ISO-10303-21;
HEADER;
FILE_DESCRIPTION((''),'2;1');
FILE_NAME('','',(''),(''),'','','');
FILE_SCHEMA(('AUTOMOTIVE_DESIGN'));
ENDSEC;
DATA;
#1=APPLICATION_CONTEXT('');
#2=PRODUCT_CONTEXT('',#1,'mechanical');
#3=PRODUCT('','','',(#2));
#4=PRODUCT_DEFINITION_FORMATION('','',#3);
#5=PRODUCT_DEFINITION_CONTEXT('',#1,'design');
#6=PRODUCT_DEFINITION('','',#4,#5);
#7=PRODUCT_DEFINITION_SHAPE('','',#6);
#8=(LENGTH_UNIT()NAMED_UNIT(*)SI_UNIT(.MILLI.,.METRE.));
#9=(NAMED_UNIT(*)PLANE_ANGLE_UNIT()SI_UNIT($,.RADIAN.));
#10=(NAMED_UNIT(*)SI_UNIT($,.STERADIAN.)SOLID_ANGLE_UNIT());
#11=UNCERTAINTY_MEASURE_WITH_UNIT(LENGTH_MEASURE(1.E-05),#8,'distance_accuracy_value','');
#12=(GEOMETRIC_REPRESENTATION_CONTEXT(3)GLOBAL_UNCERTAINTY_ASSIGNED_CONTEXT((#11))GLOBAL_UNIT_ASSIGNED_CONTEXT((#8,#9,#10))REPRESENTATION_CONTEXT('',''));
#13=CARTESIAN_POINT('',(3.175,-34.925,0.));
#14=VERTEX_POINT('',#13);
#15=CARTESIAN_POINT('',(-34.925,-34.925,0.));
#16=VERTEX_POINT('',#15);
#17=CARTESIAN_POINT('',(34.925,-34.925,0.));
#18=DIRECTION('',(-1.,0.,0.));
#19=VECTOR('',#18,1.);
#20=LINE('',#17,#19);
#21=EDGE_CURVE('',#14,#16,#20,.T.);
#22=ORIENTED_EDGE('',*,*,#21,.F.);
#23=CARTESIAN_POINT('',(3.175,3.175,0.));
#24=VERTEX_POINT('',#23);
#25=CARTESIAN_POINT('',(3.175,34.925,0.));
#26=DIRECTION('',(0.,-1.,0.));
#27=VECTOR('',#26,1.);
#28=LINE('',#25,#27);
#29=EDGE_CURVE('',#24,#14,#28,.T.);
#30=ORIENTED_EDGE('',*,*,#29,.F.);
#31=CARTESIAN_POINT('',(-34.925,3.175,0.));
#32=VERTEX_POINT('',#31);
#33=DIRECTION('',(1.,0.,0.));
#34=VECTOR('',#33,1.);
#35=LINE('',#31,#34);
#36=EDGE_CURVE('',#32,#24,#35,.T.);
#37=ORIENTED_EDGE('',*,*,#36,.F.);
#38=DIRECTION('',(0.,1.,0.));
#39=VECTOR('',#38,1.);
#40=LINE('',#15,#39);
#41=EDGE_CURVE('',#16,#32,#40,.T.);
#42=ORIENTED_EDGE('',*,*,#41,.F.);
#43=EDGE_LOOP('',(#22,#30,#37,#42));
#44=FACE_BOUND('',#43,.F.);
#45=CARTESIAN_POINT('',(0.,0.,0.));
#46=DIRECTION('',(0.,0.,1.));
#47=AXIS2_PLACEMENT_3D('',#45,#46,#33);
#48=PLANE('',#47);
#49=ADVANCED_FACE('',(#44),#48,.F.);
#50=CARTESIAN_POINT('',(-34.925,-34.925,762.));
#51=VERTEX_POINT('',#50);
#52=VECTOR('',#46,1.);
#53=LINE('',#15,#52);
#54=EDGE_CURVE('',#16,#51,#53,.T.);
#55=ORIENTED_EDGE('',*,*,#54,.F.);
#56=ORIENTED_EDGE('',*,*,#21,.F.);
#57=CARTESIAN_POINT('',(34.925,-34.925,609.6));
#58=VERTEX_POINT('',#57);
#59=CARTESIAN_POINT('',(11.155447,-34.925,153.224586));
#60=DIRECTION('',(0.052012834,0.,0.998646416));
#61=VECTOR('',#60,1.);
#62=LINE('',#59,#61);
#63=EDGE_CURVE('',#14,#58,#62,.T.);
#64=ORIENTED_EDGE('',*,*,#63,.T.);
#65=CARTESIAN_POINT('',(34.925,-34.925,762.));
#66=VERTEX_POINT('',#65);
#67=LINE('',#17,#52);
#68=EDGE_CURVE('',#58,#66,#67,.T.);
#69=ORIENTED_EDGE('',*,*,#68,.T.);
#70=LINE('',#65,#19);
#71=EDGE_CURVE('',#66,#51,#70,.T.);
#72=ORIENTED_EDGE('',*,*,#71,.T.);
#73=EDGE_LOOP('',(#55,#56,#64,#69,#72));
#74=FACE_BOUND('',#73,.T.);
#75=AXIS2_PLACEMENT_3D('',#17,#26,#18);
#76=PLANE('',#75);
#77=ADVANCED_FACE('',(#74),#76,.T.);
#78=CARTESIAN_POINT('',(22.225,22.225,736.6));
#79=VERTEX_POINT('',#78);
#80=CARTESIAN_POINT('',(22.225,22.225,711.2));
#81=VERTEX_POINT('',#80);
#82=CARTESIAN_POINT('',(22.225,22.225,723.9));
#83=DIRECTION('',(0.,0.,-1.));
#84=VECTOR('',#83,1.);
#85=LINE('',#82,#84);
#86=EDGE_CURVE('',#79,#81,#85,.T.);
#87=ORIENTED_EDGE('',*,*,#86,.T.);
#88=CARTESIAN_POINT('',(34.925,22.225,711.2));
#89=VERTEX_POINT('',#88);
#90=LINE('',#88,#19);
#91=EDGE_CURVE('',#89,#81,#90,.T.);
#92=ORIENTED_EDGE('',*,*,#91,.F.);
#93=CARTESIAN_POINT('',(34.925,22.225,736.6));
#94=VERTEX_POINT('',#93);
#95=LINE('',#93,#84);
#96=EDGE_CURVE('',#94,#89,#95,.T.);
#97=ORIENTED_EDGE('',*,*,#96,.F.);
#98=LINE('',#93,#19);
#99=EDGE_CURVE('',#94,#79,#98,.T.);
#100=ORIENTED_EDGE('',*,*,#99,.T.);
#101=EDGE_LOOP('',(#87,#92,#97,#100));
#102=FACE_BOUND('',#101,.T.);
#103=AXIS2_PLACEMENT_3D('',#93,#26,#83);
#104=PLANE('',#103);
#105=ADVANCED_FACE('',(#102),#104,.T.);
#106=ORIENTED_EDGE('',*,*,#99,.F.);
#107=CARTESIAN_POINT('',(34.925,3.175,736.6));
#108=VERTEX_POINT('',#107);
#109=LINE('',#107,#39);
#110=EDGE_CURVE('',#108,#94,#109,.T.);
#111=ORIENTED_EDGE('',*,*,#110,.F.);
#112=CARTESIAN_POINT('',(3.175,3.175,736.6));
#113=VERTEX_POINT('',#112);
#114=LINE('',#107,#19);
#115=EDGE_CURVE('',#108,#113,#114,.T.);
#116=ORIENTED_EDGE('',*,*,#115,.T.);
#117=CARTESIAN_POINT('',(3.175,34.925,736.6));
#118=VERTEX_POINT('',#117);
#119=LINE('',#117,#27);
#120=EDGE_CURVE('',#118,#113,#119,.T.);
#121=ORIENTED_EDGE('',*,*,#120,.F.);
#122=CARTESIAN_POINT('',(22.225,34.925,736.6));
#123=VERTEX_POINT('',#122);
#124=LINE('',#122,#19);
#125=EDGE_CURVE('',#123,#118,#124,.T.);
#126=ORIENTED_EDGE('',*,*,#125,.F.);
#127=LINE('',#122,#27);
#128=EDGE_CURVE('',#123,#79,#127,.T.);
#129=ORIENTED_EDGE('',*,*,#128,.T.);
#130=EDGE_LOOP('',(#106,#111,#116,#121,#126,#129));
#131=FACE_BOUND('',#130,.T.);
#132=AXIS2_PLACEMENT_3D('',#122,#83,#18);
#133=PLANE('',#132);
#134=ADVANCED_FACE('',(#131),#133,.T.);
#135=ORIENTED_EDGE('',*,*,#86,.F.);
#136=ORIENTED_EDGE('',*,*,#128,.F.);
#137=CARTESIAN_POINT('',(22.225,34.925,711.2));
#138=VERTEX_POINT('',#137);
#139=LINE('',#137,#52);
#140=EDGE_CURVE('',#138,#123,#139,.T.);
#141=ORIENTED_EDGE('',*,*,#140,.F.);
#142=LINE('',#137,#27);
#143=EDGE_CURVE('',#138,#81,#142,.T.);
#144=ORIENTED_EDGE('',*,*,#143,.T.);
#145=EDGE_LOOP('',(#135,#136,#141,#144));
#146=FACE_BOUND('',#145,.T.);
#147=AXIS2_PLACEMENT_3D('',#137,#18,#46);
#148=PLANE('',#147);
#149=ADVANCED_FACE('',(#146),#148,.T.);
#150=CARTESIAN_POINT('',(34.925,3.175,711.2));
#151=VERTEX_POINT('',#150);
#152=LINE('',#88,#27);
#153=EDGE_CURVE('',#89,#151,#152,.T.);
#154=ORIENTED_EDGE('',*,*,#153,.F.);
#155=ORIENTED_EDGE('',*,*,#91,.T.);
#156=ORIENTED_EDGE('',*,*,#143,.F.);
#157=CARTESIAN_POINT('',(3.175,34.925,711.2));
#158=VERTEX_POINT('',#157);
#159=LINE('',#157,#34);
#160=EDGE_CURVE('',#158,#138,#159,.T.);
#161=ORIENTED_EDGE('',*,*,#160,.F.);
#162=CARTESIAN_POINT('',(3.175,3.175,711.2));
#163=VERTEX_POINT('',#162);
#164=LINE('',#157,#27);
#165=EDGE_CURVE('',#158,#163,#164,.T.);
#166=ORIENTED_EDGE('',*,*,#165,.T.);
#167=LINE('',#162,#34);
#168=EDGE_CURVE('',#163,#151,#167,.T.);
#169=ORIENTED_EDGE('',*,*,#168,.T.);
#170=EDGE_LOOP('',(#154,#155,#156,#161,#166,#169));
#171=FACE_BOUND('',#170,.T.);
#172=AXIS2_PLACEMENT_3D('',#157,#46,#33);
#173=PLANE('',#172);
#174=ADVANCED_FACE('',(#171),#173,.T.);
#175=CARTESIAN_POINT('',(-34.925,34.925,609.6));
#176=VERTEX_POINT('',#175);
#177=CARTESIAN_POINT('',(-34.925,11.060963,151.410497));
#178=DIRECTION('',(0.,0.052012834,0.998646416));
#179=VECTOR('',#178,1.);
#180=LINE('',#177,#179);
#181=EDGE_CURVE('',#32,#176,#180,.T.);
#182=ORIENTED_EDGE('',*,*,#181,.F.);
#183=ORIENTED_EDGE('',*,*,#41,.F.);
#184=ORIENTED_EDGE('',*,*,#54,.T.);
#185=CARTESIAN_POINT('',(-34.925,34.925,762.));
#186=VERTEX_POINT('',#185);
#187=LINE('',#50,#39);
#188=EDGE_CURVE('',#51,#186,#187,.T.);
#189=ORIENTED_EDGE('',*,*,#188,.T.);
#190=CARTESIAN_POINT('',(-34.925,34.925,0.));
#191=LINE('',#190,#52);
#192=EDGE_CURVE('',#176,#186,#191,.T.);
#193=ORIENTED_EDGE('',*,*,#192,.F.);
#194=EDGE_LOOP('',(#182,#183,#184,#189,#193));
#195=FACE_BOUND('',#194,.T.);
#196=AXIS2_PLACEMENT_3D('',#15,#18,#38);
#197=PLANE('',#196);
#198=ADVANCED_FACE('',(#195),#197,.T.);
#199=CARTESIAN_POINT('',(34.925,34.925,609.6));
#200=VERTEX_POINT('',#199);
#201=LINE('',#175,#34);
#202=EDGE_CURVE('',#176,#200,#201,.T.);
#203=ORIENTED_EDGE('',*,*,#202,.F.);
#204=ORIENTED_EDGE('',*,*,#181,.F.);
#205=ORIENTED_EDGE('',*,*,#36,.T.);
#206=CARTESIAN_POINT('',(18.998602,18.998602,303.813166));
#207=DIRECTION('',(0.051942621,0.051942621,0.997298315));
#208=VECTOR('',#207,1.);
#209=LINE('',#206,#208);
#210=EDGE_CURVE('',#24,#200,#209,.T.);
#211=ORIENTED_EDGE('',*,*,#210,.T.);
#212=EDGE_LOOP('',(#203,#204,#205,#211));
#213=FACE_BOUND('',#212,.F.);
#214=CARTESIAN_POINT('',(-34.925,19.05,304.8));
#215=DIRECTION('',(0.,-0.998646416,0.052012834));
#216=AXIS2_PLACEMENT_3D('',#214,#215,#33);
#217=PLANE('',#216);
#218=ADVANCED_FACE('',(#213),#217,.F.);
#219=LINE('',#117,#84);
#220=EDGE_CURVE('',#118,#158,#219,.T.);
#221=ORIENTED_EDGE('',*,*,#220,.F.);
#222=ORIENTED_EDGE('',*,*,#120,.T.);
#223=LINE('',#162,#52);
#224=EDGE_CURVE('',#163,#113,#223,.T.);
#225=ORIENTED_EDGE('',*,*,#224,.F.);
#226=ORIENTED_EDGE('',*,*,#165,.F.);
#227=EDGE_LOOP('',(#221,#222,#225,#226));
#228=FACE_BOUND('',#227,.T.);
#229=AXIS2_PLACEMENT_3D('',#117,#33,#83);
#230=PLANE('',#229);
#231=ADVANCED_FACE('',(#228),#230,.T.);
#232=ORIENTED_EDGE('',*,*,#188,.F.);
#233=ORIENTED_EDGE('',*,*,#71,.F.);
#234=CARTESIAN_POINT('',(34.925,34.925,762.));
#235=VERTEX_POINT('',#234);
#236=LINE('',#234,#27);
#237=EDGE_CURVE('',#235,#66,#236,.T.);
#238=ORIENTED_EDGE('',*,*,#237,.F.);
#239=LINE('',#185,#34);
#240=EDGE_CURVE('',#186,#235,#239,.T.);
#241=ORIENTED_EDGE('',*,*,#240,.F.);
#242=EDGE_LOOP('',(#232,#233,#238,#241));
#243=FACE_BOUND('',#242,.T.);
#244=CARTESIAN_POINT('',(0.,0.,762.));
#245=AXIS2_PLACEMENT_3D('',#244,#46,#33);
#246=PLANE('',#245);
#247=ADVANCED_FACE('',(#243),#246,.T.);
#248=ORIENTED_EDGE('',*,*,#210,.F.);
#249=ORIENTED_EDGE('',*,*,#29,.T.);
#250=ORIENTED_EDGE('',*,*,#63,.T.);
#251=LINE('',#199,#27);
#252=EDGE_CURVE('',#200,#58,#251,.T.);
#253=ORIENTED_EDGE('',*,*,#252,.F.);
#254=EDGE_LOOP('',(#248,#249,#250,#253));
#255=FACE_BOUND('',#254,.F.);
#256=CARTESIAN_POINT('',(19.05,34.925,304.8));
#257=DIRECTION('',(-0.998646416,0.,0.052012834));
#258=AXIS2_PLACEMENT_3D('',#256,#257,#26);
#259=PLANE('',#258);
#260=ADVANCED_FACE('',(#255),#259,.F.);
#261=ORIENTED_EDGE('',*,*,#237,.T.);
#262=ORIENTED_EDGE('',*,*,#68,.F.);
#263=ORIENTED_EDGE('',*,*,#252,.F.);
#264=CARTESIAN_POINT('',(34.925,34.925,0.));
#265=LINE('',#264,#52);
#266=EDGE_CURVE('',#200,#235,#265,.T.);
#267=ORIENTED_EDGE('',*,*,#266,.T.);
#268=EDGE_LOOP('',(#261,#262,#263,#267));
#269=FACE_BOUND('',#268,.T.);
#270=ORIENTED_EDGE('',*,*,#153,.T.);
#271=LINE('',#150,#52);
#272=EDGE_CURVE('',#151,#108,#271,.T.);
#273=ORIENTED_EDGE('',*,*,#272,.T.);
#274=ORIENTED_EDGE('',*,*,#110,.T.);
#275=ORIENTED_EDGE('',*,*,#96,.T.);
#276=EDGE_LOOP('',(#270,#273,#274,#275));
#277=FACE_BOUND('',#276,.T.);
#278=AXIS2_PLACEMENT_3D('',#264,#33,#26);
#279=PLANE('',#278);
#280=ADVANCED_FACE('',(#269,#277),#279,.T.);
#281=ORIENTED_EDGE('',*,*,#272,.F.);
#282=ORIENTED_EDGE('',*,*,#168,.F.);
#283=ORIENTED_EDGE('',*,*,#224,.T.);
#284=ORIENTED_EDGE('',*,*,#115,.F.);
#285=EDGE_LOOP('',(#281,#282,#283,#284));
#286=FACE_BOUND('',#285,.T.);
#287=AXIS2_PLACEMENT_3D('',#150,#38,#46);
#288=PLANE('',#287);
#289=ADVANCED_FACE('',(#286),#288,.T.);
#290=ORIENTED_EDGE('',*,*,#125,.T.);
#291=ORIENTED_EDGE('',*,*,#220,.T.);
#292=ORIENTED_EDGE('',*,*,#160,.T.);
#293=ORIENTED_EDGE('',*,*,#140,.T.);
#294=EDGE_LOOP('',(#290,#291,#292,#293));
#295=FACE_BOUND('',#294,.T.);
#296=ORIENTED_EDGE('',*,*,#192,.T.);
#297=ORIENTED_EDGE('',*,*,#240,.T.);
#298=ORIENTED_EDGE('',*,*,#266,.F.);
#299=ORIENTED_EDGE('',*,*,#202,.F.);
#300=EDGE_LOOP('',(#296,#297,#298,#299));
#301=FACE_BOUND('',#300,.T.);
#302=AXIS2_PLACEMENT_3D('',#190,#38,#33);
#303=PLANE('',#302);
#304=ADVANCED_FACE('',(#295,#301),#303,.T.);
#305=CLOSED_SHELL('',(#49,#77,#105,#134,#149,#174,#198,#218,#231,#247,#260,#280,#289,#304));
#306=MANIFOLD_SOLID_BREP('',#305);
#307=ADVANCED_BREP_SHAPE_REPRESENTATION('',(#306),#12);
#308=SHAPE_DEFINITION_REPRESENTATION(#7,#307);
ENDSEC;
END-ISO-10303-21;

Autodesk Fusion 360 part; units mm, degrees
sketch "Sketch2" plane through (0, 0, 0) normal (0, 0, 1) x (1, 0, 0)
  line L0 (-34.925, 34.925) -> (34.925, 34.925)
  line L1 (34.925, 34.925) -> (34.925, -34.925)
  line L2 (34.925, -34.925) -> (-34.925, -34.925)
  line L3 (-34.925, -34.925) -> (-34.925, 34.925)
  line L4 (-34.925, 34.925) -> (34.925, -34.925) construction
  line L5 (34.925, 34.925) -> (-34.925, -34.925) construction
  dimension "d1" = 69.85
  dimension "d2" = 69.85
extrude "Extrude1" add sketch "Sketch2" along normal blind 762
chamfer "Chamfer1" distance 31.75 distance2 609.6 2 edges at (34.925, 0, 0) (0, 34.925, 0) measured on face at (11.6417, -11.6417, 0) measured on face at (11.6417, -11.6417, 0)
sketch "Sketch6" plane through (34.925, 0, 0) normal (1, 0, 0) x (0, 1, 0)
  line L0 (-34.925, 609.6) -> (34.925, 609.6)
  line L1 (34.925, 609.6) -> (34.925, 762)
  line L2 (34.925, 762) -> (-34.925, 762)
  line L3 (-34.925, 762) -> (-34.925, 609.6)
  line L4 (-34.925, 762) -> (-34.925, 723.9) construction
  line L5 (-34.925, 723.9) -> (12.7, 723.9) construction
  line L6 (3.175, 736.6) -> (22.225, 736.6)
  line L7 (22.225, 736.6) -> (22.225, 711.2)
  line L8 (22.225, 711.2) -> (3.175, 711.2)
  line L9 (3.175, 711.2) -> (3.175, 736.6)
  line L10 (3.175, 736.6) -> (22.225, 711.2) construction
  line L11 (22.225, 736.6) -> (3.175, 711.2) construction
  point P0 (12.7, 723.9)
  dimension "d23" = 38.1
  dimension "d24" = 47.625
  dimension "d25" = 19.05
  dimension "d26" = 25.4
extrude "Extrude5" cut sketch "Sketch6" against normal blind 31.75 contours L6 L7 L8 L9
sketch "Sketch7" plane through (0, 34.925, 0) normal (0, 1, 0) x (-1, 0, 0)
  line L0 (-34.925, 609.6) -> (34.925, 609.6)
  line L1 (34.925, 609.6) -> (34.925, 762)
  line L2 (34.925, 762) -> (-34.925, 762)
  line L3 (-34.925, 762) -> (-34.925, 609.6)
  line L4 (34.925, 762) -> (34.925, 723.9) construction
  line L5 (34.925, 723.9) -> (-12.7, 723.9) construction
  line L6 (-22.225, 736.6) -> (-3.175, 736.6)
  line L7 (-3.175, 736.6) -> (-3.175, 711.2)
  line L8 (-3.175, 711.2) -> (-22.225, 711.2)
  line L9 (-22.225, 711.2) -> (-22.225, 736.6)
  line L10 (-22.225, 736.6) -> (-3.175, 711.2) construction
  line L11 (-3.175, 736.6) -> (-22.225, 711.2) construction
  point P0 (-12.7, 723.9)
  dimension "d29" = 38.1
  dimension "d30" = 47.625
  dimension "d31" = 19.05
  dimension "d32" = 25.4
extrude "Extrude6" cut sketch "Sketch7" against normal blind 31.75 contours L6 L7 L8 L9
equation "d24 = 1.125 in + 0.375 in + 0.375 in"
